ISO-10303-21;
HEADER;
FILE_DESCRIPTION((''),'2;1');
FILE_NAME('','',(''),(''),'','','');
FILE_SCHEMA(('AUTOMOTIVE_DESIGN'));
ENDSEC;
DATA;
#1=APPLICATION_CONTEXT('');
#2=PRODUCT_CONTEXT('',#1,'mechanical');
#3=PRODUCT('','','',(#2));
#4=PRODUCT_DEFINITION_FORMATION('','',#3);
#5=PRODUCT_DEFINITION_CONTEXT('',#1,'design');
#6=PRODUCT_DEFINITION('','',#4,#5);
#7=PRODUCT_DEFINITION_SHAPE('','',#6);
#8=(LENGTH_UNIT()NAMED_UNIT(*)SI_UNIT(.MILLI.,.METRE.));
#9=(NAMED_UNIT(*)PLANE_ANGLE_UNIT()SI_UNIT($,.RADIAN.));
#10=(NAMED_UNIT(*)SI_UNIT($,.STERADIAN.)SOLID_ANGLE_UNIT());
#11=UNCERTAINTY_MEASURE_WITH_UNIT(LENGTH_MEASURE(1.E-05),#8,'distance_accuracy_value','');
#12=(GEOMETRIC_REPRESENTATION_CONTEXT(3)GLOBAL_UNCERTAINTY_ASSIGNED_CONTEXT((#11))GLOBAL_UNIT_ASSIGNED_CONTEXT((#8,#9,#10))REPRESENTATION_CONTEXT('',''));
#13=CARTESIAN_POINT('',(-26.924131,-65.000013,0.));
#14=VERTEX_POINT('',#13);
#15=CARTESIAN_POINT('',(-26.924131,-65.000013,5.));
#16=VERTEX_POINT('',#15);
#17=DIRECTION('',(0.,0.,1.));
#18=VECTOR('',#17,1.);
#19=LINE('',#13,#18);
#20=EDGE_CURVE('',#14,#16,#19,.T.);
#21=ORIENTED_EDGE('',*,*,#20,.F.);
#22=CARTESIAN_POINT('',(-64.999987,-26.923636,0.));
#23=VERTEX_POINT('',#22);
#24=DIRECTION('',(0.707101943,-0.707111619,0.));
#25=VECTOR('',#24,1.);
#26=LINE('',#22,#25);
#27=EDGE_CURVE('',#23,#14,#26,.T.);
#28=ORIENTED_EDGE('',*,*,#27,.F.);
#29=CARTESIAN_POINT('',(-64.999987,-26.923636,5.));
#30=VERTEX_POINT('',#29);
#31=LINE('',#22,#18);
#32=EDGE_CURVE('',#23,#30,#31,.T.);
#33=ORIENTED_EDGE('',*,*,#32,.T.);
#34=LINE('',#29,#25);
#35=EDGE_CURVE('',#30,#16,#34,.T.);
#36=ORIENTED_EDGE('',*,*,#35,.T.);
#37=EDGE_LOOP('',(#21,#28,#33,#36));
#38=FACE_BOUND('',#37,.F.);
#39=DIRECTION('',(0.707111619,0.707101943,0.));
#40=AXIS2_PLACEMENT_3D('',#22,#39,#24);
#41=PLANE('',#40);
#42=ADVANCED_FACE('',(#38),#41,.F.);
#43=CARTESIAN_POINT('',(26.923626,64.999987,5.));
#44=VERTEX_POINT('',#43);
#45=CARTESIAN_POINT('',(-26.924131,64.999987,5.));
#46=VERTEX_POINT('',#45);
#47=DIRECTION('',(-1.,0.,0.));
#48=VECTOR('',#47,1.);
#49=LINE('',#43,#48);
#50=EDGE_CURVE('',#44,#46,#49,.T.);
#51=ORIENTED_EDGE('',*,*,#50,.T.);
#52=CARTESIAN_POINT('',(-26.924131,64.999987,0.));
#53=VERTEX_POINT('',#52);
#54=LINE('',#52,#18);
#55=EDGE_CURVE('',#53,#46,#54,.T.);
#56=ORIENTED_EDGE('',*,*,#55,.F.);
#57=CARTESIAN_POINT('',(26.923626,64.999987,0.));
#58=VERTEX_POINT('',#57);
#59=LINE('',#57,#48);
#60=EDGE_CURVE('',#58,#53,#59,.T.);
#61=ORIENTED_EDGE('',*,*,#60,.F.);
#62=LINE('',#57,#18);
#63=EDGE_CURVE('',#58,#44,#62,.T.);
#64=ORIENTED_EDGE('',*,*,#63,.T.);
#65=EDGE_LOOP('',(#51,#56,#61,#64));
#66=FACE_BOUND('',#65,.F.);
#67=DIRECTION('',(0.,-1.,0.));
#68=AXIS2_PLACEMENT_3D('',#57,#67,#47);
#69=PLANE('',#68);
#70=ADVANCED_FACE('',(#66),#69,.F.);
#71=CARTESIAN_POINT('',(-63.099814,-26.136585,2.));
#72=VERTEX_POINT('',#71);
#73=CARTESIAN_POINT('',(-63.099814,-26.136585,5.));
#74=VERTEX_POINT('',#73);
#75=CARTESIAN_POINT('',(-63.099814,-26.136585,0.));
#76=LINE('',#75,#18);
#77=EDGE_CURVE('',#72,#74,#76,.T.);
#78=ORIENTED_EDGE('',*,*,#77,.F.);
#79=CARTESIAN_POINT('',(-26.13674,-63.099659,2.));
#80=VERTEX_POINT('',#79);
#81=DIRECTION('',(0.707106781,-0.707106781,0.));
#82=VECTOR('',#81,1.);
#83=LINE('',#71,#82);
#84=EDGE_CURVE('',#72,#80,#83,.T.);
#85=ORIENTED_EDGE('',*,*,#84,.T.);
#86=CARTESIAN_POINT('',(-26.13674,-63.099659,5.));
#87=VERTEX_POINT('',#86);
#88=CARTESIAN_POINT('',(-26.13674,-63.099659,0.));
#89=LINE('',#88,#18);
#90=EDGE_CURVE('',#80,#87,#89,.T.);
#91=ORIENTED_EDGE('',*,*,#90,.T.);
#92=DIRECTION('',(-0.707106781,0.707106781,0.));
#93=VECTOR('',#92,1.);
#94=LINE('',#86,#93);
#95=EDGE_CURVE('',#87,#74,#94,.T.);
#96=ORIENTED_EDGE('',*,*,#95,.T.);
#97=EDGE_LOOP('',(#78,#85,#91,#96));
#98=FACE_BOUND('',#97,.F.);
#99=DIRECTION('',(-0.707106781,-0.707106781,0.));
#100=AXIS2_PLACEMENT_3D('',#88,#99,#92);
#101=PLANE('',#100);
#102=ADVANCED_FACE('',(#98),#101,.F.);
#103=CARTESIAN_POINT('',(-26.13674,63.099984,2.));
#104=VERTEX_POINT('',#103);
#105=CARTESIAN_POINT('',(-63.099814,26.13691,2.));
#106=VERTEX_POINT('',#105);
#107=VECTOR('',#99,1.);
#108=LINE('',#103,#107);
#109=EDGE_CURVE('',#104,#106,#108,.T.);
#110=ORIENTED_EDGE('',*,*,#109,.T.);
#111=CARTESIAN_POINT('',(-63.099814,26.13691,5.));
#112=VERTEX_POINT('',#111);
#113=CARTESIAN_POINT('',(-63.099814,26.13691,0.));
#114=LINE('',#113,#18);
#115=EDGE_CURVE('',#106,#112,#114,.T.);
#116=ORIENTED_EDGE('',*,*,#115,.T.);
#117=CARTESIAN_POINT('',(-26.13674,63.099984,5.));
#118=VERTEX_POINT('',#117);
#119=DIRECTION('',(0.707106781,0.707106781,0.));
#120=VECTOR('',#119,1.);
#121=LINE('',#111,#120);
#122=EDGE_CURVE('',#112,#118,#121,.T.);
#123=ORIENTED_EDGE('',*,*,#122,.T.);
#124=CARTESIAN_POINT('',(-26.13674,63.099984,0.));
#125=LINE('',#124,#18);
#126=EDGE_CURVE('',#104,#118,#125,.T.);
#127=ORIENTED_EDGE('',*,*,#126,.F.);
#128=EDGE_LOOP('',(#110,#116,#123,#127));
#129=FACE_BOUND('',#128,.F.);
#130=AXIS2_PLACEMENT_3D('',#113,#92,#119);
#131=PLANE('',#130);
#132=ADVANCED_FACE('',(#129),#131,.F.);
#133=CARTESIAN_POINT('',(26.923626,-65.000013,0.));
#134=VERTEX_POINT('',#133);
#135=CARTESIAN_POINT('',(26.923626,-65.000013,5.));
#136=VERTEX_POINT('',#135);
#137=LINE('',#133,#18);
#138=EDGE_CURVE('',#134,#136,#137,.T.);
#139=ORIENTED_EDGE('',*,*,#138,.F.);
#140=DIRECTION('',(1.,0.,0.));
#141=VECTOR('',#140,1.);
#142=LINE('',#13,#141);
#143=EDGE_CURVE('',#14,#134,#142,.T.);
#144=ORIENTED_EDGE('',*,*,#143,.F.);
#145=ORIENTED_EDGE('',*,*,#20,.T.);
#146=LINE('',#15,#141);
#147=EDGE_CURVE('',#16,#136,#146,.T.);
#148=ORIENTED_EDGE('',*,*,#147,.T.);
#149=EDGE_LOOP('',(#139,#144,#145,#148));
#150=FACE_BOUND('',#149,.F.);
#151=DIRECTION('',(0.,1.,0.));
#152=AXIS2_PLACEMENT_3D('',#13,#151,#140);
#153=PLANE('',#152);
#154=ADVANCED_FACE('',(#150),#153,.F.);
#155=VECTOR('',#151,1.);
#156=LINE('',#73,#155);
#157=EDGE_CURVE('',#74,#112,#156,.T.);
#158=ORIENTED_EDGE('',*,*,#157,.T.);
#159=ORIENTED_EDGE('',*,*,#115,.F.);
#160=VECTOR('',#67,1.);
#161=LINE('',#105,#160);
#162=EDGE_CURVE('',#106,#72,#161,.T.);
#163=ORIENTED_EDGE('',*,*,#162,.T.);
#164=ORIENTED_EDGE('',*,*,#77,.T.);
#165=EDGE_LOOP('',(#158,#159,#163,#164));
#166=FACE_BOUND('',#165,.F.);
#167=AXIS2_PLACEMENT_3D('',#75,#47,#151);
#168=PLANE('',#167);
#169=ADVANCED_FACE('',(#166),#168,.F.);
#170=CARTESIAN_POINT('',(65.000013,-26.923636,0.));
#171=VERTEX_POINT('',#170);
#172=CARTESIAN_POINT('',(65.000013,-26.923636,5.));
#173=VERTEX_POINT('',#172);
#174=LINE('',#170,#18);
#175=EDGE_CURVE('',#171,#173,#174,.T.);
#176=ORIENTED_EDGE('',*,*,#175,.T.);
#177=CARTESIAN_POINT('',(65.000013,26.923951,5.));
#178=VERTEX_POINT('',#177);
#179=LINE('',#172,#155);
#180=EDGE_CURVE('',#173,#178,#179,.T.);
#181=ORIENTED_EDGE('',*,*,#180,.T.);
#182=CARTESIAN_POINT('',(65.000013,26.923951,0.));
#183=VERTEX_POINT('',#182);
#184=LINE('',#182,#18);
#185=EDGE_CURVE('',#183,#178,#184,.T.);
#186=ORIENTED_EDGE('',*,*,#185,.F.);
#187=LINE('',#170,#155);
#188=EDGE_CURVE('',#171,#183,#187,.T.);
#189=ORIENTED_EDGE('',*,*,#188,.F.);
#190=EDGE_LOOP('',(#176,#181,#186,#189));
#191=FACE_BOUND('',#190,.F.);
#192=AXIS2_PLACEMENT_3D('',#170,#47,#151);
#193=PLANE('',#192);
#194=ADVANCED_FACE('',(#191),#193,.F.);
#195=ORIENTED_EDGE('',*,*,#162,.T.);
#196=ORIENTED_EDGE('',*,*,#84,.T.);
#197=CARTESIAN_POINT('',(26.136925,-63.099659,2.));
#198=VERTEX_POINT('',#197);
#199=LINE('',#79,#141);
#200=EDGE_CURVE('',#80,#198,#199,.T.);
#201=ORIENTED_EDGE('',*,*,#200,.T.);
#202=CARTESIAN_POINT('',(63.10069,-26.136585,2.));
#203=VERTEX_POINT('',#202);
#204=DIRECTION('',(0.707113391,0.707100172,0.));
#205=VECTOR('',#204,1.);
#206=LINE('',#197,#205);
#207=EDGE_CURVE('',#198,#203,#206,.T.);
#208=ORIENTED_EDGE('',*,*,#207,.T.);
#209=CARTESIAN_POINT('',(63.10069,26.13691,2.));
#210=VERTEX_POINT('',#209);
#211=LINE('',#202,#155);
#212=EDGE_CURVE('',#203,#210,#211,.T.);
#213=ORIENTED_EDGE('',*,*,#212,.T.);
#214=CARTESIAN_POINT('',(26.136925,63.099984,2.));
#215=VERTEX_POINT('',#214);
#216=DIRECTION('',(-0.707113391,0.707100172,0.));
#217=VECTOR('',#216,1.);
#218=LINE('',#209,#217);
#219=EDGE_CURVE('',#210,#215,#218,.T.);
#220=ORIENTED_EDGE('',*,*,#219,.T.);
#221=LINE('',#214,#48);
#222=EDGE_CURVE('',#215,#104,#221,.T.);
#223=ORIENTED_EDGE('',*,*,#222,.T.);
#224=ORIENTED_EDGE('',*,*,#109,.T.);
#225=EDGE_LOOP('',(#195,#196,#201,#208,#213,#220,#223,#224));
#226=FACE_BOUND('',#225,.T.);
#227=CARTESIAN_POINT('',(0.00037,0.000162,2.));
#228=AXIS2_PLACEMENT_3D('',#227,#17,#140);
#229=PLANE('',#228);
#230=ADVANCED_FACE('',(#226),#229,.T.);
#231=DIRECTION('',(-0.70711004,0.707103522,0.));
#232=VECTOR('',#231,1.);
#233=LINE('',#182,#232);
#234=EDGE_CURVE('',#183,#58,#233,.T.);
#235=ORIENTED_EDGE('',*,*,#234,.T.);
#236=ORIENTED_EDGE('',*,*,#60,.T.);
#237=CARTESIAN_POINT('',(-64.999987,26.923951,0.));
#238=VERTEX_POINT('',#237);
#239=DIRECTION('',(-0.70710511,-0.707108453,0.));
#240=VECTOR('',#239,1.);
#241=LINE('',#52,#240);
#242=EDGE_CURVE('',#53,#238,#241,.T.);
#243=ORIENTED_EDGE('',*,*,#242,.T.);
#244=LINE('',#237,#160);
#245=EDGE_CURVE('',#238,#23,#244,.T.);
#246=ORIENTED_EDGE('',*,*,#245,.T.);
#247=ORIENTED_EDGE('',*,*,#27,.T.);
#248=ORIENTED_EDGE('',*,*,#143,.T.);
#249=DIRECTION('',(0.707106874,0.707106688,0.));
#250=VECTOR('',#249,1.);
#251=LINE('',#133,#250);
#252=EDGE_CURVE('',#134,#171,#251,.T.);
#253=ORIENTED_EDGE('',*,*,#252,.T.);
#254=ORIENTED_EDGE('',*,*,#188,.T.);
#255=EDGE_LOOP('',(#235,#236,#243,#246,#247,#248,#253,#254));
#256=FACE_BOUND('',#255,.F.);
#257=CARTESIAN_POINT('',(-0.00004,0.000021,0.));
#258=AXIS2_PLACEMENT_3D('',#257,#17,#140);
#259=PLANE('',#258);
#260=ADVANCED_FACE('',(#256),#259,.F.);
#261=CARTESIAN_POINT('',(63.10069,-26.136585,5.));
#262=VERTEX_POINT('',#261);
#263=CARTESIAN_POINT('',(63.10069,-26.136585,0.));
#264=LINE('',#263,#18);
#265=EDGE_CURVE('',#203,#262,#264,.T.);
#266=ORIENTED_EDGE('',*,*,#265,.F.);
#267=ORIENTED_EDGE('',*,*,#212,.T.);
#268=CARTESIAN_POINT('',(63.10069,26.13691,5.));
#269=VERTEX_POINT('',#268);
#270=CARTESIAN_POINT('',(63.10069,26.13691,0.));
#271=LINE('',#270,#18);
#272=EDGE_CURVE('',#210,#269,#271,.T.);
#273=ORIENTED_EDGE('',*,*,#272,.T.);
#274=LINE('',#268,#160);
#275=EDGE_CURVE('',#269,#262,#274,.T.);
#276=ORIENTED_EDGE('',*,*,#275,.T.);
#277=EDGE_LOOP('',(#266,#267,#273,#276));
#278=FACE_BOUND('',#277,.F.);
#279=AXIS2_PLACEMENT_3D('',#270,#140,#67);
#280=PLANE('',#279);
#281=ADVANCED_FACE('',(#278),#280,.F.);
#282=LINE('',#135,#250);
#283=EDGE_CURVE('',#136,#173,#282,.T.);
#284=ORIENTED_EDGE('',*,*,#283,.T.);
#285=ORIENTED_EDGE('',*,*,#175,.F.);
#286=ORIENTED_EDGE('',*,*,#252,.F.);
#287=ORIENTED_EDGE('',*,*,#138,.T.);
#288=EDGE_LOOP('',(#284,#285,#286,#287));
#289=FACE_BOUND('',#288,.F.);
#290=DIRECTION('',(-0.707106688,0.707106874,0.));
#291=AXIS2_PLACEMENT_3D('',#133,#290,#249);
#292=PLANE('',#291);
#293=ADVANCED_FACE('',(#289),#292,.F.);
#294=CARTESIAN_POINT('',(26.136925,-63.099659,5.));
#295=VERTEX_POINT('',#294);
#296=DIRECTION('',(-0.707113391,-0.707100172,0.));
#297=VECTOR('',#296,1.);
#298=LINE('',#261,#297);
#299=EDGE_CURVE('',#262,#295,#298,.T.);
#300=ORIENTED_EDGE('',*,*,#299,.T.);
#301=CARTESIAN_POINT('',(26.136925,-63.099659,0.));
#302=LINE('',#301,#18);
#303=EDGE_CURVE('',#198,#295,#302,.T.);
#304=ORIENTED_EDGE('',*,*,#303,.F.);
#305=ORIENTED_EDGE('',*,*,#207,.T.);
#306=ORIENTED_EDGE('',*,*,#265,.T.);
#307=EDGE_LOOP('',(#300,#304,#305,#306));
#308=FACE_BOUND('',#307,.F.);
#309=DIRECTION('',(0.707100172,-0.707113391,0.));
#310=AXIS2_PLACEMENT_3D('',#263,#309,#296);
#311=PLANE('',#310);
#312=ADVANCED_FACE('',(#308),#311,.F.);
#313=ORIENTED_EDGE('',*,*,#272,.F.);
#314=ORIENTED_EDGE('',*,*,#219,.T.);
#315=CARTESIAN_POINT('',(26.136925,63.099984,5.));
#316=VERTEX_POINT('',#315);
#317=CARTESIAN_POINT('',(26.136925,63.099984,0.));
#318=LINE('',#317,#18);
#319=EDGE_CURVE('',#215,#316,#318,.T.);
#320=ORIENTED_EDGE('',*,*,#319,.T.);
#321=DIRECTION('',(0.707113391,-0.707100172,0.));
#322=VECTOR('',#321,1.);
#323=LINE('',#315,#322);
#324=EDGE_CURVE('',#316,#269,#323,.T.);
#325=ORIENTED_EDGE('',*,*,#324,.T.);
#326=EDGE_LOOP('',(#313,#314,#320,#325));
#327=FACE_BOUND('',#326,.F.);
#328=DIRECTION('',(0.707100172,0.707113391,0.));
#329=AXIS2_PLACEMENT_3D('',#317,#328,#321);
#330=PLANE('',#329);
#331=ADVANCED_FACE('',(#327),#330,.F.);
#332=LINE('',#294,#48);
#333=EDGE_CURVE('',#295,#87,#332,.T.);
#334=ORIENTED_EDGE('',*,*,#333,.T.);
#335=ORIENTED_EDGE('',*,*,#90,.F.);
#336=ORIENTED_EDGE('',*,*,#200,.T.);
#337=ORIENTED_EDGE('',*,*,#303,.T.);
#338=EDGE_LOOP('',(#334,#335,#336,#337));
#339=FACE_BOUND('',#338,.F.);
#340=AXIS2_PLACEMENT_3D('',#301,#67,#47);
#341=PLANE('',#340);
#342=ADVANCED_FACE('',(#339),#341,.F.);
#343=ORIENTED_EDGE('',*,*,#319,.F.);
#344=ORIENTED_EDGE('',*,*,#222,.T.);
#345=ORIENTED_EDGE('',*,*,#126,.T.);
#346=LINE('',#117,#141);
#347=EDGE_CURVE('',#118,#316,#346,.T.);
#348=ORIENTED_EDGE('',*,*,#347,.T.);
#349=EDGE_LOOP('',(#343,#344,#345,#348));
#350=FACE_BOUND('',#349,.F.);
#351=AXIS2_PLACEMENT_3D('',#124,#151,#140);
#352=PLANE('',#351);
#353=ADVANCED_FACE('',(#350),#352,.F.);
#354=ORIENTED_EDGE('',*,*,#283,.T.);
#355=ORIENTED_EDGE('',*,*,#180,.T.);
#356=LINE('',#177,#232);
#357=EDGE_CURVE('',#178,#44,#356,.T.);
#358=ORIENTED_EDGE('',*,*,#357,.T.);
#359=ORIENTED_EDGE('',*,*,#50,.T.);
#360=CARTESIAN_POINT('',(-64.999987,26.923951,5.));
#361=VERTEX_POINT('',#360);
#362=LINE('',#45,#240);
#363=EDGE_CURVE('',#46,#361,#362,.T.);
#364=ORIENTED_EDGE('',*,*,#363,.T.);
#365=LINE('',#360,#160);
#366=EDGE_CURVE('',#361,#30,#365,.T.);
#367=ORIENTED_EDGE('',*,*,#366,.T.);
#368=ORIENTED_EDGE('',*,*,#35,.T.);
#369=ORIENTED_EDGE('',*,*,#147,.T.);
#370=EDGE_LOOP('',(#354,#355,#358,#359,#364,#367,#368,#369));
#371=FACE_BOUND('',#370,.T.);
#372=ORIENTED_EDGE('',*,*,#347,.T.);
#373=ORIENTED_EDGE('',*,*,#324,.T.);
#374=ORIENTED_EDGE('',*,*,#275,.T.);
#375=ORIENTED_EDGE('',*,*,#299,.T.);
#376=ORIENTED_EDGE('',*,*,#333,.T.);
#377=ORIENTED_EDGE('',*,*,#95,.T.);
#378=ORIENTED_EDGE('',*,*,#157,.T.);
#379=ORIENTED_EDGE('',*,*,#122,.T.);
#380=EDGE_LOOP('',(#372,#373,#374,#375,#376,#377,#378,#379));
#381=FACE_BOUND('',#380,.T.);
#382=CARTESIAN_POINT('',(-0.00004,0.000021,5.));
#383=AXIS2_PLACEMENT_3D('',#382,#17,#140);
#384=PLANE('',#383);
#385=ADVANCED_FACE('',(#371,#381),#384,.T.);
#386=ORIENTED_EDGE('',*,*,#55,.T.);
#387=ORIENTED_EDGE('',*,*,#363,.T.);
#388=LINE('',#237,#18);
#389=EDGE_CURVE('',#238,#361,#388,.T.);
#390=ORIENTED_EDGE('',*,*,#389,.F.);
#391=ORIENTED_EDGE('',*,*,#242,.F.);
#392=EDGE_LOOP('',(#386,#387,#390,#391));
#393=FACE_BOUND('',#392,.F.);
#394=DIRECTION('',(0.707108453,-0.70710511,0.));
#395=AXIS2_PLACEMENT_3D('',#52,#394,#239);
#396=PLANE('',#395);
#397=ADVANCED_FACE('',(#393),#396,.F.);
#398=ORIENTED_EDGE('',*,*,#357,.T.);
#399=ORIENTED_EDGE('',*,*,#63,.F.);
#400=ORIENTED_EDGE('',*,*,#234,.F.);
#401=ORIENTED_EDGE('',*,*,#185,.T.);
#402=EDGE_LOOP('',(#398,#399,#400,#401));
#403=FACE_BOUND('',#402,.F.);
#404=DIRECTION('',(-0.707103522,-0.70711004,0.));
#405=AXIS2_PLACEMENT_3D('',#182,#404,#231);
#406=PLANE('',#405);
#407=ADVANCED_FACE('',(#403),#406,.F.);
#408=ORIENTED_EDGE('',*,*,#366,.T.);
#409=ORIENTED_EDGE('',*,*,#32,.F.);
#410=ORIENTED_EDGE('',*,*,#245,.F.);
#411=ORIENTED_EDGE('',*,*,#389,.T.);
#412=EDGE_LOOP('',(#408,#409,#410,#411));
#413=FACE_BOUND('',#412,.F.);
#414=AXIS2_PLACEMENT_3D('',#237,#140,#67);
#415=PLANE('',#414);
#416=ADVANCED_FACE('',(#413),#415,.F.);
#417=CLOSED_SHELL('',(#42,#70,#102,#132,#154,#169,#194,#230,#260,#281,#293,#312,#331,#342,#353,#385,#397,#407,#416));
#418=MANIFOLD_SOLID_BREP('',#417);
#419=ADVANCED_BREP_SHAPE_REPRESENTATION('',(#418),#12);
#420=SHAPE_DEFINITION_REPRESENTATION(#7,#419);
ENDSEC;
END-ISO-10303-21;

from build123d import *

# Parameters (mm, degrees)
F1_DEPTH = 2
F2_DEPTH = 5


with BuildPart() as f1:
    # F0 (on Top) → F1 (new body)
    with BuildSketch(Plane.XY):
        Polygon((63.10069, 26.13691), (26.136925, 63.099984), (-26.13674, 63.099984), (-63.099814, 26.13691), (-63.099814, -26.136585), (-26.13674, -63.099659), (26.136925, -63.099659), (63.10069, -26.136585), align=None)
    extrude(amount=F1_DEPTH)

    # F0 (on Top) → F2 (join)
    with BuildSketch(Plane.XY):
        Polygon((65.000013, 26.923951), (26.923626, 64.999987), (-26.924131, 64.999987), (-64.999987, 26.923951), (-64.999987, -26.923636), (-26.924131, -65.000013), (26.923626, -65.000013), (65.000013, -26.923636), align=None)
        Polygon((-26.13674, 63.099984), (26.136925, 63.099984), (63.10069, 26.13691), (63.10069, -26.136585), (26.136925, -63.099659), (-26.13674, -63.099659), (-63.099814, -26.136585), (-63.099814, 26.13691), align=None, mode=Mode.SUBTRACT)
    extrude(amount=F2_DEPTH)


solid = f1.part
